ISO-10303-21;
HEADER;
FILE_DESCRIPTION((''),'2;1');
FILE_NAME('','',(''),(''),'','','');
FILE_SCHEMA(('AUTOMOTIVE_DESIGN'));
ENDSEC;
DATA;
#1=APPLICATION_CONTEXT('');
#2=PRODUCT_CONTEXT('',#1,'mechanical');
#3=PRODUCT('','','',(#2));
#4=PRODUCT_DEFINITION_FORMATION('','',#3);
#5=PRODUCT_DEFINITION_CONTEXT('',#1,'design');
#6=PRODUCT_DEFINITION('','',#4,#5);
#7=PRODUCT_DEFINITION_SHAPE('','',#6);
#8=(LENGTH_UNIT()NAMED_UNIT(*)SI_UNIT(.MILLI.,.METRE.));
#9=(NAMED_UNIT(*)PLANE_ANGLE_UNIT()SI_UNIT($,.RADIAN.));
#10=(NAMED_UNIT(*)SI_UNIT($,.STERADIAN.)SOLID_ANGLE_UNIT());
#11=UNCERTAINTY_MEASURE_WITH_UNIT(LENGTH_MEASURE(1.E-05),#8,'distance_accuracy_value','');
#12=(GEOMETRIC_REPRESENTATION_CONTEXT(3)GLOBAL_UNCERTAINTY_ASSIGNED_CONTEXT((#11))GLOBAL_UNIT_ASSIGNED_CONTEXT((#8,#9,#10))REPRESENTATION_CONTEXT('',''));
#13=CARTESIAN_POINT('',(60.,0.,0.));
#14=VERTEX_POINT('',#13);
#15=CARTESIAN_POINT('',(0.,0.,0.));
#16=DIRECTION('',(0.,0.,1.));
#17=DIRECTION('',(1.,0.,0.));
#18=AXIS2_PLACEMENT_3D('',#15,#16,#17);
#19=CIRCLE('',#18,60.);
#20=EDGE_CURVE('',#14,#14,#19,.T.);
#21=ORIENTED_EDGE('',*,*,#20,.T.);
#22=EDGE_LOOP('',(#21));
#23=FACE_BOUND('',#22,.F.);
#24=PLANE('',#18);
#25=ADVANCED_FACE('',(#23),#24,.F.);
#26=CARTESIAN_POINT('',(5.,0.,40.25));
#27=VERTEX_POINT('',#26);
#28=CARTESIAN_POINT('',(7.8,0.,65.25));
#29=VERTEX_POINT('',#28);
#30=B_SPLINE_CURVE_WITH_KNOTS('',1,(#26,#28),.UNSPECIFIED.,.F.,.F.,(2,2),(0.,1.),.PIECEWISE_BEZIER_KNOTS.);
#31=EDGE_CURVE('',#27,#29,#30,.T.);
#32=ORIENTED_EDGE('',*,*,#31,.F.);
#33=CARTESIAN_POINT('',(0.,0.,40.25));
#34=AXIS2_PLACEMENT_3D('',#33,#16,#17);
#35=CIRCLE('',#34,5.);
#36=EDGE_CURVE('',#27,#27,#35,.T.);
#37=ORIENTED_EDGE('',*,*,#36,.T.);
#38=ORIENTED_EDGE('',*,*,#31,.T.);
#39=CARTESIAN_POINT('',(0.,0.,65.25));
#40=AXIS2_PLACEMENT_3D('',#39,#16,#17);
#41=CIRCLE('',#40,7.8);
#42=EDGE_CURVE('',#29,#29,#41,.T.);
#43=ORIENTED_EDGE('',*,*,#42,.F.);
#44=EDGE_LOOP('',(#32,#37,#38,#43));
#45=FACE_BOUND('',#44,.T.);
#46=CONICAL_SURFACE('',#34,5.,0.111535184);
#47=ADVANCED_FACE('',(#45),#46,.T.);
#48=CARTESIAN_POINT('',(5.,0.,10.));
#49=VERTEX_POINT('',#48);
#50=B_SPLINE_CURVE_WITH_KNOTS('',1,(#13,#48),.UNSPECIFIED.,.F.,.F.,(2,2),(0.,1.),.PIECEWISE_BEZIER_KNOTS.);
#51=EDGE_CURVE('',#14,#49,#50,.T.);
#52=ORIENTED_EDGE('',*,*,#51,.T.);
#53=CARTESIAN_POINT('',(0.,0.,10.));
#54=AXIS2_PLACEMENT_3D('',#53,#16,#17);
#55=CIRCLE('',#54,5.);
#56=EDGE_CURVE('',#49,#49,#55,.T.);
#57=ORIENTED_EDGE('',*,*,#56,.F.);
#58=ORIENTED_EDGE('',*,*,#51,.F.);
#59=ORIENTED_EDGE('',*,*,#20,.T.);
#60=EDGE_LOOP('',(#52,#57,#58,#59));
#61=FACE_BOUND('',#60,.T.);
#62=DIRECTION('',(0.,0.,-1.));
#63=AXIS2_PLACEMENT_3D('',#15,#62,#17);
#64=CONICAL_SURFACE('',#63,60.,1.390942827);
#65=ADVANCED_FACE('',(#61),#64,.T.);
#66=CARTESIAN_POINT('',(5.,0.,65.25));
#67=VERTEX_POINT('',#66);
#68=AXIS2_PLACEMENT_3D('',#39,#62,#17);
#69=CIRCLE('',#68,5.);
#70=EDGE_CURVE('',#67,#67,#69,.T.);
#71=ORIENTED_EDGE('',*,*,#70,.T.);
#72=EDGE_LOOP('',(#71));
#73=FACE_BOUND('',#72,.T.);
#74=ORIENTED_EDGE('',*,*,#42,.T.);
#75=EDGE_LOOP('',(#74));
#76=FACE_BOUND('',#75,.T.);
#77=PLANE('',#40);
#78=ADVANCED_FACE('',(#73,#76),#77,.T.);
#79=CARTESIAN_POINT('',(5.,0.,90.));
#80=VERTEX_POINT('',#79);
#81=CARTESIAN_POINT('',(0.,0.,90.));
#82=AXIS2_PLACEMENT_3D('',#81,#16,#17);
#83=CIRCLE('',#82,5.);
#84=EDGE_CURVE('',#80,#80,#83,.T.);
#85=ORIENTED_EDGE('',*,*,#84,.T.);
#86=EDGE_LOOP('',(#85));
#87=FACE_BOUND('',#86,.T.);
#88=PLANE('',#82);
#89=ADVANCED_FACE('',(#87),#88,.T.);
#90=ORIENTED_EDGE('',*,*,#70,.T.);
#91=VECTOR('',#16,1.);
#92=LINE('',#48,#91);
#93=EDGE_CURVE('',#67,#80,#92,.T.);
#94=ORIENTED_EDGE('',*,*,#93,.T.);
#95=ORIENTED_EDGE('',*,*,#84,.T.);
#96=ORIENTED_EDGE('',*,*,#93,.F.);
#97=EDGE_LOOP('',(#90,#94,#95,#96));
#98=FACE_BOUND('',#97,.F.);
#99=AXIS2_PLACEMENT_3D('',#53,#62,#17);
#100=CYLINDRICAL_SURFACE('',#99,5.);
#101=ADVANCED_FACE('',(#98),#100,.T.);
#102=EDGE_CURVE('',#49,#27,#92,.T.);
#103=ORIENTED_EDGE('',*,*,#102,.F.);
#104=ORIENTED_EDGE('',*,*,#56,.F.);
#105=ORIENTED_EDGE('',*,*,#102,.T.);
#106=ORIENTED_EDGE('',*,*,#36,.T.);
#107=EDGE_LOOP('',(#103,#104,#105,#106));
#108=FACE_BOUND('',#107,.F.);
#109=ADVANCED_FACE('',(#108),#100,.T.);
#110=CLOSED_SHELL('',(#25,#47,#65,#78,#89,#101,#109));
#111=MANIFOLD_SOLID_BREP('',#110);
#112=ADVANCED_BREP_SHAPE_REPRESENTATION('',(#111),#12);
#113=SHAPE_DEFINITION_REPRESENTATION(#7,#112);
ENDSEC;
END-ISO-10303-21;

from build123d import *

# Parameters (mm, degrees)
F2_R      = 5
F3_DEPTH  = 80
F0_R      = 60
F3_FACE_R = 5
F8_R      = 5
F6_R      = 7.8


with BuildPart() as f3:
    # F2 (on offset) → F3 (new body)
    with BuildSketch(Plane.XY.offset(10)):
        Circle(F2_R)
    extrude(amount=F3_DEPTH)

    # F0 (on Top) → F4 section 0
    with BuildSketch(Plane.XY):
        Circle(F0_R)
    # F3_face (on face) → F4 section 1
    with BuildSketch(Plane(origin=(0, 0, 10), x_dir=(1, 0, 0), z_dir=(0, 0, -1))):
        Circle(F3_FACE_R)
    loft()

    # F8 (on offset) → F9 section 0
    with BuildSketch(Plane.XY.offset(40.25)):
        Circle(F8_R)
    # F6 (on offset) → F9 section 1
    with BuildSketch(Plane.XY.offset(65.25)):
        Circle(F6_R)
    loft()


solid = f3.part
